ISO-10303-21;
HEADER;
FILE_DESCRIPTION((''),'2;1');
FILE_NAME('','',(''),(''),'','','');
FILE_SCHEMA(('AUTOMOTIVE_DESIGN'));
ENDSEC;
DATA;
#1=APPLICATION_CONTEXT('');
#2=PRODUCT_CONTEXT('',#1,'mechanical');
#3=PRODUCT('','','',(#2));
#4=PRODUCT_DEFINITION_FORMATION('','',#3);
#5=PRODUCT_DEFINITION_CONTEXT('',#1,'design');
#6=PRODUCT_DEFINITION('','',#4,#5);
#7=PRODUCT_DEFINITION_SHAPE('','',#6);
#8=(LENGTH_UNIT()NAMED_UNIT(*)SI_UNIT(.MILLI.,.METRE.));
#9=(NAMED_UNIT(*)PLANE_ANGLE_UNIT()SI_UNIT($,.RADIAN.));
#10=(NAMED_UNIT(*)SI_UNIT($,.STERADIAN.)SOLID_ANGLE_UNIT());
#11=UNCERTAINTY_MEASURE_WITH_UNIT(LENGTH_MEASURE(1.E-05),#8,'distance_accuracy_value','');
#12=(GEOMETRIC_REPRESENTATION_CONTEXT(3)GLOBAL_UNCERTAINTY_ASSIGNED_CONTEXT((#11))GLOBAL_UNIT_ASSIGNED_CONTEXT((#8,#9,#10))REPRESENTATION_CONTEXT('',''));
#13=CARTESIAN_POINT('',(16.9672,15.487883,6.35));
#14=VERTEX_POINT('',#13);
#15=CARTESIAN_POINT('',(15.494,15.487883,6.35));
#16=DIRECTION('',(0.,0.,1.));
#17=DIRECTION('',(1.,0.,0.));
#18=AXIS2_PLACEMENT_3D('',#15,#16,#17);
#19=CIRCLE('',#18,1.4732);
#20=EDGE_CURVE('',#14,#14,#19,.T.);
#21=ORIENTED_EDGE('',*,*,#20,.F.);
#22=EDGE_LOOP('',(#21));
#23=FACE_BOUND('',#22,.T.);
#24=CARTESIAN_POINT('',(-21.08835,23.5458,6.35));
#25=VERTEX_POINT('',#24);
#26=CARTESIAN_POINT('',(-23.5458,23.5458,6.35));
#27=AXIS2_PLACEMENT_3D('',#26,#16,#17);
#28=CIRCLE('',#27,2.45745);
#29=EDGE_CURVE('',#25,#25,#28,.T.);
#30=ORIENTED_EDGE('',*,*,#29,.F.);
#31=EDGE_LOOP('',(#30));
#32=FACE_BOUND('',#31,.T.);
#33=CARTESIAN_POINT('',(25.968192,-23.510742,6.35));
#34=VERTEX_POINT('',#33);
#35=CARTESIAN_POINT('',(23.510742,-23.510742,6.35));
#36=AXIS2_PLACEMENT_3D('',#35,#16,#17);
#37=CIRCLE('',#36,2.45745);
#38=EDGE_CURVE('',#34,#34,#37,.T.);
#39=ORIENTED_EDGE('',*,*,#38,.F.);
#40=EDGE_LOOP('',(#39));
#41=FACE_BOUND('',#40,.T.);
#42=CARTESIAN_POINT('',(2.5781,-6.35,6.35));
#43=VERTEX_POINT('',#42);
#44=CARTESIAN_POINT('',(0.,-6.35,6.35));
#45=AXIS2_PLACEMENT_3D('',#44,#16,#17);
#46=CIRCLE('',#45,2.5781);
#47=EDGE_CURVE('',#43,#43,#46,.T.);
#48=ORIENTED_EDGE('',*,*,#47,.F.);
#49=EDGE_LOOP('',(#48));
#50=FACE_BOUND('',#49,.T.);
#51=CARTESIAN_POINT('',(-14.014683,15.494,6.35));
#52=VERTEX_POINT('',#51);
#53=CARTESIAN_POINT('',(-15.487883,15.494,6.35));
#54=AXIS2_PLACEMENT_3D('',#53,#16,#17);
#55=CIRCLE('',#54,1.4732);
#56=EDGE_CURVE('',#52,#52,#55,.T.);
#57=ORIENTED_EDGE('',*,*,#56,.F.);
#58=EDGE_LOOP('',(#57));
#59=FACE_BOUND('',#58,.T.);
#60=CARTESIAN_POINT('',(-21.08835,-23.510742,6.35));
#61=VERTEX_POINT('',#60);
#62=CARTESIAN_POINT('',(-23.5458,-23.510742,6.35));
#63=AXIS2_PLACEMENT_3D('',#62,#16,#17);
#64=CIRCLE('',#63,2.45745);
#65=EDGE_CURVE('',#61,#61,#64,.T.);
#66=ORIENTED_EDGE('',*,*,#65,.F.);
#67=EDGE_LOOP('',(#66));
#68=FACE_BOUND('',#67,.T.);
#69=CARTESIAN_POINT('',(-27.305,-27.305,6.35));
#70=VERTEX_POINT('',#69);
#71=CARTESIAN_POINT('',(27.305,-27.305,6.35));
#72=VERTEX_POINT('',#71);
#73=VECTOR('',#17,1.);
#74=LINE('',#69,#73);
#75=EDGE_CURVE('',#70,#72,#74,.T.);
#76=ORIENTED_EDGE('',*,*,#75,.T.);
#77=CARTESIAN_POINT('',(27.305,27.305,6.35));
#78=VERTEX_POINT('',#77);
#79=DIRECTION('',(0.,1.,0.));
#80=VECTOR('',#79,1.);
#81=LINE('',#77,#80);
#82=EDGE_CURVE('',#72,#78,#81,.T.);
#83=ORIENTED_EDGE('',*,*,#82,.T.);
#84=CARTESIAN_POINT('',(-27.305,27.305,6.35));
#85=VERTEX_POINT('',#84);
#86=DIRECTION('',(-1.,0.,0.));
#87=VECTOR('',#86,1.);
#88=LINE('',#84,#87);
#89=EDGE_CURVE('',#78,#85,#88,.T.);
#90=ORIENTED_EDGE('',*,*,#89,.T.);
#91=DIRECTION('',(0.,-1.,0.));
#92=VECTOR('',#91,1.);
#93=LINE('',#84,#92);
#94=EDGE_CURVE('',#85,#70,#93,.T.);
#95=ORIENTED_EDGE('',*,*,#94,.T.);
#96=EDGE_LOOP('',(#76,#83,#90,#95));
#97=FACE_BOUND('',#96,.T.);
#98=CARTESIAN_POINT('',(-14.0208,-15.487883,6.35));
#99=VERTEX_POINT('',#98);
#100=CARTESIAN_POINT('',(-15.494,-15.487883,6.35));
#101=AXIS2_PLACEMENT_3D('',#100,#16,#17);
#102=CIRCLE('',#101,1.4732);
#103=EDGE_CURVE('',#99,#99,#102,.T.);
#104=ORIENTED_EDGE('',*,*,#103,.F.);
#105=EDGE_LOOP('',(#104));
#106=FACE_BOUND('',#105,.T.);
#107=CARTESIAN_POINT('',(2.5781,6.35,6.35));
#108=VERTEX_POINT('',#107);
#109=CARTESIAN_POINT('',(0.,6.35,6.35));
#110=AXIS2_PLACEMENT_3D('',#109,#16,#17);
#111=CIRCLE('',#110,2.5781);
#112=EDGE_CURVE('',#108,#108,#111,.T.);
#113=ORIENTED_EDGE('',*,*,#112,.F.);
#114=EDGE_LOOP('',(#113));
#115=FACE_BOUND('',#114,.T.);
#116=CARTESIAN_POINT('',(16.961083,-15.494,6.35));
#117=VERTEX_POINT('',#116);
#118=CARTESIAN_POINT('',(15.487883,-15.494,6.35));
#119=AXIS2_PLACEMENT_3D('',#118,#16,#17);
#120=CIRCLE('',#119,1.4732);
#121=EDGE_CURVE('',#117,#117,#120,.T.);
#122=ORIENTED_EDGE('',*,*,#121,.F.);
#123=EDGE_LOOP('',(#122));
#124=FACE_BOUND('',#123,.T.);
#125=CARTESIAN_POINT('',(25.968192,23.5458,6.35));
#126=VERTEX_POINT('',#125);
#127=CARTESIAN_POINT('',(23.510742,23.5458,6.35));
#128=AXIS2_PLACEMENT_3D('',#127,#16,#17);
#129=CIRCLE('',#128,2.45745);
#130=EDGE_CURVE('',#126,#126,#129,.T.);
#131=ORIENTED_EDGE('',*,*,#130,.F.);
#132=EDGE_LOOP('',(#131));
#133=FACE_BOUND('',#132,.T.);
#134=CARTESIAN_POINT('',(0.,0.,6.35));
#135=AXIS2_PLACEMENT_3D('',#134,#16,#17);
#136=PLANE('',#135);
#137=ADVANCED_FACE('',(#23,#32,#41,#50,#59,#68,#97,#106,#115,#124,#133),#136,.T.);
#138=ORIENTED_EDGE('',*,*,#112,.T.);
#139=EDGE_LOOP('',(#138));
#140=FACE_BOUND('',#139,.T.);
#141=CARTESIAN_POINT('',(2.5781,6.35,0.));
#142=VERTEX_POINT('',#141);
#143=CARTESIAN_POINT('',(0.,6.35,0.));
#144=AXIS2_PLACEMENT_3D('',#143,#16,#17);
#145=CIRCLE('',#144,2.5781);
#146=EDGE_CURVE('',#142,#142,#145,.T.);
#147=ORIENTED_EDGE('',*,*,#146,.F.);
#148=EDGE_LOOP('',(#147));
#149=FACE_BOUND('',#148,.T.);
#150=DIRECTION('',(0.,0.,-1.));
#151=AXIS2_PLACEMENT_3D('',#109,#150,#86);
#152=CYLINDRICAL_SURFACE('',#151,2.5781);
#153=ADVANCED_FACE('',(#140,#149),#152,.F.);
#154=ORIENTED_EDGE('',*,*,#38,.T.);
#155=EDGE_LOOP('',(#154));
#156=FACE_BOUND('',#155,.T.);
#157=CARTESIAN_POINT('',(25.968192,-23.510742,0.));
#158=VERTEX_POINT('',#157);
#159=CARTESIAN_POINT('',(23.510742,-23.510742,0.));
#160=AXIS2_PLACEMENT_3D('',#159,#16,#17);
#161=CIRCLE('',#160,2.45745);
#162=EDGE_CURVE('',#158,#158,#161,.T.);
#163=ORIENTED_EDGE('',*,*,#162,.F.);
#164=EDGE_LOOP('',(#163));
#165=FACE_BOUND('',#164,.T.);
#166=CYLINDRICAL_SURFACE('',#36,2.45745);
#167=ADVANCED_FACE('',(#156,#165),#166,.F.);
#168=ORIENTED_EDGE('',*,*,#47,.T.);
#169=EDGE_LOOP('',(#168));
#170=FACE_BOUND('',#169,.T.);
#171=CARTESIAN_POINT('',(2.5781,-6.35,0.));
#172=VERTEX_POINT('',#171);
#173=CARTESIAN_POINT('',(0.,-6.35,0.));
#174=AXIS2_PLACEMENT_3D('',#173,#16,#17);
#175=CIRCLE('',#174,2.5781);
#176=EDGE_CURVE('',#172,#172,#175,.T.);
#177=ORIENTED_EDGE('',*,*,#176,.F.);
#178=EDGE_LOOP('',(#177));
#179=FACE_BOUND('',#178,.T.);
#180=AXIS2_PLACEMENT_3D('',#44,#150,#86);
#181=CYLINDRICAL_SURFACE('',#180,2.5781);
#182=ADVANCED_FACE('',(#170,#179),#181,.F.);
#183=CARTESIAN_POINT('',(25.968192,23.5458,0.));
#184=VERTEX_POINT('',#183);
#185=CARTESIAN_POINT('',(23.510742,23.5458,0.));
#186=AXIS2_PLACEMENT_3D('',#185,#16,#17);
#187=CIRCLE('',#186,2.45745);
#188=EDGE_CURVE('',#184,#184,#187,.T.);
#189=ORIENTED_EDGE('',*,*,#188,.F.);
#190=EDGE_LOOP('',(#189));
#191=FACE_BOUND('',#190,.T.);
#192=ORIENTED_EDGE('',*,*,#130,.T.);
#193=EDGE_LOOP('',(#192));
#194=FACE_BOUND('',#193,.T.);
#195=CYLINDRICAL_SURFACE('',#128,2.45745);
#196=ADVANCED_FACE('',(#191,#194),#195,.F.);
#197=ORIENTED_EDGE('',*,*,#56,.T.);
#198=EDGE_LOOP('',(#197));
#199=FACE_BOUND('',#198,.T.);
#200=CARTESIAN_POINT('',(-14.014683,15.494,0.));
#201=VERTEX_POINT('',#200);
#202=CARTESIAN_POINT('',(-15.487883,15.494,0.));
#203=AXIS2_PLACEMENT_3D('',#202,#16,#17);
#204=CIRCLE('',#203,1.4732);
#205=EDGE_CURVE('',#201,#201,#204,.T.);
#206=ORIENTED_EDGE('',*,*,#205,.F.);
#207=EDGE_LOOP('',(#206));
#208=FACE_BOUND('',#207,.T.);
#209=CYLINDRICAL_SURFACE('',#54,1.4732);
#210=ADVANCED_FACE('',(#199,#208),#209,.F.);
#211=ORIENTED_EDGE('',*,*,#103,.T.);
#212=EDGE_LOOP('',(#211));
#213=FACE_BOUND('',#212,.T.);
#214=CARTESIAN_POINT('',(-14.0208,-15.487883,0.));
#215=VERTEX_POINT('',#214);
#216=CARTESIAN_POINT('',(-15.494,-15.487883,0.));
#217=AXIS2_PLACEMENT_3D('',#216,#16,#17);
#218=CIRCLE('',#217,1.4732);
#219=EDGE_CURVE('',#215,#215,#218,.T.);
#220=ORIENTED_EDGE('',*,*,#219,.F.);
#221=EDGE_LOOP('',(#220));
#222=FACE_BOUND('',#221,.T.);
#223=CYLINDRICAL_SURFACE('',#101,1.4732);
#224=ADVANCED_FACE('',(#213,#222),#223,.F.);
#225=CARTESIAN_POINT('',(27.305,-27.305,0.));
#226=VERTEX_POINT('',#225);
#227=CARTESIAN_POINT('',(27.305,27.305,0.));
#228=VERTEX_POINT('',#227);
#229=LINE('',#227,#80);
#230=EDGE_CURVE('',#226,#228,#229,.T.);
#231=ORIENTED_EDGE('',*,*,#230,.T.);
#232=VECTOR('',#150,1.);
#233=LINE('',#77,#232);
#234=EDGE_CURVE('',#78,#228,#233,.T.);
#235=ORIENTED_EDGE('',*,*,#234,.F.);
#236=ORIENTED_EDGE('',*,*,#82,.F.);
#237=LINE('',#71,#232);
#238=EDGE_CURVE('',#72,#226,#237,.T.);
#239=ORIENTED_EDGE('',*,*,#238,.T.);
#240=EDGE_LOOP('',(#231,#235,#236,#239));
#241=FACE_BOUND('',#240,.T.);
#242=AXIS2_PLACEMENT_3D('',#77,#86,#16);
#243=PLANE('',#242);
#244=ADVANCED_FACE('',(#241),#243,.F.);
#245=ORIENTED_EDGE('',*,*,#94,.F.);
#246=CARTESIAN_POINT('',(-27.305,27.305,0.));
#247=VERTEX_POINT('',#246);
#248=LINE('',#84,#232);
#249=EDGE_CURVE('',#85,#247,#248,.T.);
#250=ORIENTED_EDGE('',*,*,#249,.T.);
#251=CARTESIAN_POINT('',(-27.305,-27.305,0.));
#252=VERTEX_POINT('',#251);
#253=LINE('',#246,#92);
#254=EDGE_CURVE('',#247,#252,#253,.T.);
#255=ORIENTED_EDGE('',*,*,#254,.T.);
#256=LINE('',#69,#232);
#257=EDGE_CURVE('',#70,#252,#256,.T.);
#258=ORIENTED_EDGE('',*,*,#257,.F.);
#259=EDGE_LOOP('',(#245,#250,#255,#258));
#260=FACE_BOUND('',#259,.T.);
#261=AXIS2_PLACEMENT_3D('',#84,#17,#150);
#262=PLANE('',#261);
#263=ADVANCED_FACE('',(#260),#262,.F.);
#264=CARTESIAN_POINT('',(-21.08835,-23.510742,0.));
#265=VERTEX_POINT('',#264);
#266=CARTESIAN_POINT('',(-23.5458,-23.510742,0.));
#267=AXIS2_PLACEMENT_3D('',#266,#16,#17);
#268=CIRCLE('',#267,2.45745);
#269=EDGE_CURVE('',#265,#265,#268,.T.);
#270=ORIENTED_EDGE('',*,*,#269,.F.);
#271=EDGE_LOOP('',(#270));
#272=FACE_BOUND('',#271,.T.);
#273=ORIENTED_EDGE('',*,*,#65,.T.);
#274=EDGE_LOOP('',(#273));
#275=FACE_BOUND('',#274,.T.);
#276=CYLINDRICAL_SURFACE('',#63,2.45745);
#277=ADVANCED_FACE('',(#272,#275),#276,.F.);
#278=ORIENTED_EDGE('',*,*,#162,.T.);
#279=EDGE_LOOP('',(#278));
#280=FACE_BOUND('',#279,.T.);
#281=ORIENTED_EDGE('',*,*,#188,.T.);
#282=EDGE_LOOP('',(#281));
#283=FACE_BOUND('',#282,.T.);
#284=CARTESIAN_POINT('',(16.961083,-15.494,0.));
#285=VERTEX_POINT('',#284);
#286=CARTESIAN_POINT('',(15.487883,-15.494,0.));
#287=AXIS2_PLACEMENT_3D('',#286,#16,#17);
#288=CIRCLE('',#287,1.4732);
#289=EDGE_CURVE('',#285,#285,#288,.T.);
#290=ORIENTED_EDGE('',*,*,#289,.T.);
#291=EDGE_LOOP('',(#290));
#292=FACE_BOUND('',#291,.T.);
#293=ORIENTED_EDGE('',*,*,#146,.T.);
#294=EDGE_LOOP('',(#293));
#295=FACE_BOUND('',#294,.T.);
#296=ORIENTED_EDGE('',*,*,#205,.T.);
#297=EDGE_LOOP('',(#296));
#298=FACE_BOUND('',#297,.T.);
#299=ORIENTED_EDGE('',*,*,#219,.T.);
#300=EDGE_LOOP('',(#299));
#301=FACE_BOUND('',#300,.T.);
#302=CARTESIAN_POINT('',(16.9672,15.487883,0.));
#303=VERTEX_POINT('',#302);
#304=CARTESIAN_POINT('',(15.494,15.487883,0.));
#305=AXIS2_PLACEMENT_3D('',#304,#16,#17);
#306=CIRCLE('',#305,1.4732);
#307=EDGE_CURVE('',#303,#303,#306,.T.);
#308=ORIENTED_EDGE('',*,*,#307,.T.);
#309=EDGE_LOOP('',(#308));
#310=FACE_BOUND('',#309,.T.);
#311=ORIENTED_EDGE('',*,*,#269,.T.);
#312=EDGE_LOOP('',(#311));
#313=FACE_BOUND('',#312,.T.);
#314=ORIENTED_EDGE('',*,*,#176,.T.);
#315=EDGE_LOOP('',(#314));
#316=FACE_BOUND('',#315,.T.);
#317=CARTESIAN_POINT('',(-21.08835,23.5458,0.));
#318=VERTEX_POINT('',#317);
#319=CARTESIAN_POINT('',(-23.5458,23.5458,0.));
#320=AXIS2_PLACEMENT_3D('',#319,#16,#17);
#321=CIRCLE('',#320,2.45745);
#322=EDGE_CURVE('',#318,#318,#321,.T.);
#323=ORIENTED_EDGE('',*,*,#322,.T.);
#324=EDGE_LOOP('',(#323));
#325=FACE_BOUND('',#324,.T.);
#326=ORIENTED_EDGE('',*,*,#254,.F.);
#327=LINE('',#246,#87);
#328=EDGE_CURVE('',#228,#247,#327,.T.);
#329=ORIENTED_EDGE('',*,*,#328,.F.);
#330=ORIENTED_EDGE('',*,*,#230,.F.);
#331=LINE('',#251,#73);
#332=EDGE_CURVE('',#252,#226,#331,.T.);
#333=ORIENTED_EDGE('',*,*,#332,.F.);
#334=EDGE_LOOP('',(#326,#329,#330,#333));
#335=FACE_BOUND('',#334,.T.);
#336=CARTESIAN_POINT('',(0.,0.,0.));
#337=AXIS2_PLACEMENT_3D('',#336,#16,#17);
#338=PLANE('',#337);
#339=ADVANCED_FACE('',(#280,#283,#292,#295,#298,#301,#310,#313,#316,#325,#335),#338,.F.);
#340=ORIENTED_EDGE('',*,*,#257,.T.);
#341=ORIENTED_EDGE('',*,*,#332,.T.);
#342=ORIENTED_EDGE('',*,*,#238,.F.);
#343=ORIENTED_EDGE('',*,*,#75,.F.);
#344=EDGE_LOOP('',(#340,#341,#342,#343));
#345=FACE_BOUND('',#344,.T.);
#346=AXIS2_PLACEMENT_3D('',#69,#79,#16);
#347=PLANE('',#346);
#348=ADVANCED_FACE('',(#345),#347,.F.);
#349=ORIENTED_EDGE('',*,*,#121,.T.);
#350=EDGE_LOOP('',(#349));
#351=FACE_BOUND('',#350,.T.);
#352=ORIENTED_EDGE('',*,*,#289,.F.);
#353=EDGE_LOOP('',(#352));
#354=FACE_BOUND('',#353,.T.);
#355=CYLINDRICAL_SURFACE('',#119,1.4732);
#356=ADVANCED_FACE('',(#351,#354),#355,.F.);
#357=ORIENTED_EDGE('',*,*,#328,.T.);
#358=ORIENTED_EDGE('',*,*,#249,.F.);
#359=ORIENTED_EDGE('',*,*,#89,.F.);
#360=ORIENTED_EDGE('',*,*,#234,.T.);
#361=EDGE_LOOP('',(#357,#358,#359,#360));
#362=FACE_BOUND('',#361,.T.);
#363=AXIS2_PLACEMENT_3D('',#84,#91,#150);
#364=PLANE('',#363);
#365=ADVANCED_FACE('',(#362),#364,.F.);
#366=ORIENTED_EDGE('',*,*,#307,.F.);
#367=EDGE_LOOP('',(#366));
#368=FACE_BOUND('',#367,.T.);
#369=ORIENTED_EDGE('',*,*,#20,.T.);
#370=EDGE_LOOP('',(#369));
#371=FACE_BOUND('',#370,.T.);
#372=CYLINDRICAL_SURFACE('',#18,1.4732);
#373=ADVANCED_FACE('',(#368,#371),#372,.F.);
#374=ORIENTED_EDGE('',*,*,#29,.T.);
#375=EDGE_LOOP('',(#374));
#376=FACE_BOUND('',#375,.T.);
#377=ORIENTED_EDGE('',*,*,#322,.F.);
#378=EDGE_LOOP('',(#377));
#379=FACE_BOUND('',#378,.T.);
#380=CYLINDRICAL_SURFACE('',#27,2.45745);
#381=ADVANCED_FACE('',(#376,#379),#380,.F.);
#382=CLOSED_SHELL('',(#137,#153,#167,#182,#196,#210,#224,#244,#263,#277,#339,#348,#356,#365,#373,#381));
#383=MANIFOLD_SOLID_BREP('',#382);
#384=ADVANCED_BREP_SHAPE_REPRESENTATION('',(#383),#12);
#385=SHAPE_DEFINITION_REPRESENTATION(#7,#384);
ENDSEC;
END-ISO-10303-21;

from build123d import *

# Parameters (mm, degrees)
SKETCH1_W                    = 54.61
SKETCH1_H                    = 54.61
BOSS_EXTRUDE1_DEPTH          = 6.35
F_10_0_1935_DIAMETER_HOLE1_D = 4.9149
F_32_0_116_DIAMETER_HOLE1_D  = 2.9464
SKETCH10_R                   = 2.5781
CUT_EXTRUDE1_DEPTH           = 6.35


with BuildPart() as part:
    # Sketch1 → Boss-Extrude1 (new body)
    with BuildSketch(Plane.XY):
        Rectangle(SKETCH1_W, SKETCH1_H)
    extrude(amount=BOSS_EXTRUDE1_DEPTH)

    # #10 (0.1935) Diameter Hole1 (through all)
    with Locations(Plane.XY.offset(6.35)):
        with Locations((-23.5458, 23.5458), (23.510742074, 23.5458), (23.510742074, -23.510742074), (-23.5458, -23.510742074)):
            Hole(F_10_0_1935_DIAMETER_HOLE1_D / 2)

    # #32 (0.116) Diameter Hole1 (through all)
    with Locations(Plane.XY.offset(6.35)):
        with Locations((-15.487883014, 15.494), (15.494, 15.487883014), (15.487883014, -15.494), (-15.494, -15.487883014)):
            Hole(F_32_0_116_DIAMETER_HOLE1_D / 2)

    # Sketch10 → Cut-Extrude1 (cut)
    with BuildSketch(Plane.XY):
        with Locations((0, 6.35)):
            Circle(SKETCH10_R)
        with Locations((0, -6.35)):
            Circle(SKETCH10_R)
    extrude(amount=CUT_EXTRUDE1_DEPTH, mode=Mode.SUBTRACT)


solid = part.part
